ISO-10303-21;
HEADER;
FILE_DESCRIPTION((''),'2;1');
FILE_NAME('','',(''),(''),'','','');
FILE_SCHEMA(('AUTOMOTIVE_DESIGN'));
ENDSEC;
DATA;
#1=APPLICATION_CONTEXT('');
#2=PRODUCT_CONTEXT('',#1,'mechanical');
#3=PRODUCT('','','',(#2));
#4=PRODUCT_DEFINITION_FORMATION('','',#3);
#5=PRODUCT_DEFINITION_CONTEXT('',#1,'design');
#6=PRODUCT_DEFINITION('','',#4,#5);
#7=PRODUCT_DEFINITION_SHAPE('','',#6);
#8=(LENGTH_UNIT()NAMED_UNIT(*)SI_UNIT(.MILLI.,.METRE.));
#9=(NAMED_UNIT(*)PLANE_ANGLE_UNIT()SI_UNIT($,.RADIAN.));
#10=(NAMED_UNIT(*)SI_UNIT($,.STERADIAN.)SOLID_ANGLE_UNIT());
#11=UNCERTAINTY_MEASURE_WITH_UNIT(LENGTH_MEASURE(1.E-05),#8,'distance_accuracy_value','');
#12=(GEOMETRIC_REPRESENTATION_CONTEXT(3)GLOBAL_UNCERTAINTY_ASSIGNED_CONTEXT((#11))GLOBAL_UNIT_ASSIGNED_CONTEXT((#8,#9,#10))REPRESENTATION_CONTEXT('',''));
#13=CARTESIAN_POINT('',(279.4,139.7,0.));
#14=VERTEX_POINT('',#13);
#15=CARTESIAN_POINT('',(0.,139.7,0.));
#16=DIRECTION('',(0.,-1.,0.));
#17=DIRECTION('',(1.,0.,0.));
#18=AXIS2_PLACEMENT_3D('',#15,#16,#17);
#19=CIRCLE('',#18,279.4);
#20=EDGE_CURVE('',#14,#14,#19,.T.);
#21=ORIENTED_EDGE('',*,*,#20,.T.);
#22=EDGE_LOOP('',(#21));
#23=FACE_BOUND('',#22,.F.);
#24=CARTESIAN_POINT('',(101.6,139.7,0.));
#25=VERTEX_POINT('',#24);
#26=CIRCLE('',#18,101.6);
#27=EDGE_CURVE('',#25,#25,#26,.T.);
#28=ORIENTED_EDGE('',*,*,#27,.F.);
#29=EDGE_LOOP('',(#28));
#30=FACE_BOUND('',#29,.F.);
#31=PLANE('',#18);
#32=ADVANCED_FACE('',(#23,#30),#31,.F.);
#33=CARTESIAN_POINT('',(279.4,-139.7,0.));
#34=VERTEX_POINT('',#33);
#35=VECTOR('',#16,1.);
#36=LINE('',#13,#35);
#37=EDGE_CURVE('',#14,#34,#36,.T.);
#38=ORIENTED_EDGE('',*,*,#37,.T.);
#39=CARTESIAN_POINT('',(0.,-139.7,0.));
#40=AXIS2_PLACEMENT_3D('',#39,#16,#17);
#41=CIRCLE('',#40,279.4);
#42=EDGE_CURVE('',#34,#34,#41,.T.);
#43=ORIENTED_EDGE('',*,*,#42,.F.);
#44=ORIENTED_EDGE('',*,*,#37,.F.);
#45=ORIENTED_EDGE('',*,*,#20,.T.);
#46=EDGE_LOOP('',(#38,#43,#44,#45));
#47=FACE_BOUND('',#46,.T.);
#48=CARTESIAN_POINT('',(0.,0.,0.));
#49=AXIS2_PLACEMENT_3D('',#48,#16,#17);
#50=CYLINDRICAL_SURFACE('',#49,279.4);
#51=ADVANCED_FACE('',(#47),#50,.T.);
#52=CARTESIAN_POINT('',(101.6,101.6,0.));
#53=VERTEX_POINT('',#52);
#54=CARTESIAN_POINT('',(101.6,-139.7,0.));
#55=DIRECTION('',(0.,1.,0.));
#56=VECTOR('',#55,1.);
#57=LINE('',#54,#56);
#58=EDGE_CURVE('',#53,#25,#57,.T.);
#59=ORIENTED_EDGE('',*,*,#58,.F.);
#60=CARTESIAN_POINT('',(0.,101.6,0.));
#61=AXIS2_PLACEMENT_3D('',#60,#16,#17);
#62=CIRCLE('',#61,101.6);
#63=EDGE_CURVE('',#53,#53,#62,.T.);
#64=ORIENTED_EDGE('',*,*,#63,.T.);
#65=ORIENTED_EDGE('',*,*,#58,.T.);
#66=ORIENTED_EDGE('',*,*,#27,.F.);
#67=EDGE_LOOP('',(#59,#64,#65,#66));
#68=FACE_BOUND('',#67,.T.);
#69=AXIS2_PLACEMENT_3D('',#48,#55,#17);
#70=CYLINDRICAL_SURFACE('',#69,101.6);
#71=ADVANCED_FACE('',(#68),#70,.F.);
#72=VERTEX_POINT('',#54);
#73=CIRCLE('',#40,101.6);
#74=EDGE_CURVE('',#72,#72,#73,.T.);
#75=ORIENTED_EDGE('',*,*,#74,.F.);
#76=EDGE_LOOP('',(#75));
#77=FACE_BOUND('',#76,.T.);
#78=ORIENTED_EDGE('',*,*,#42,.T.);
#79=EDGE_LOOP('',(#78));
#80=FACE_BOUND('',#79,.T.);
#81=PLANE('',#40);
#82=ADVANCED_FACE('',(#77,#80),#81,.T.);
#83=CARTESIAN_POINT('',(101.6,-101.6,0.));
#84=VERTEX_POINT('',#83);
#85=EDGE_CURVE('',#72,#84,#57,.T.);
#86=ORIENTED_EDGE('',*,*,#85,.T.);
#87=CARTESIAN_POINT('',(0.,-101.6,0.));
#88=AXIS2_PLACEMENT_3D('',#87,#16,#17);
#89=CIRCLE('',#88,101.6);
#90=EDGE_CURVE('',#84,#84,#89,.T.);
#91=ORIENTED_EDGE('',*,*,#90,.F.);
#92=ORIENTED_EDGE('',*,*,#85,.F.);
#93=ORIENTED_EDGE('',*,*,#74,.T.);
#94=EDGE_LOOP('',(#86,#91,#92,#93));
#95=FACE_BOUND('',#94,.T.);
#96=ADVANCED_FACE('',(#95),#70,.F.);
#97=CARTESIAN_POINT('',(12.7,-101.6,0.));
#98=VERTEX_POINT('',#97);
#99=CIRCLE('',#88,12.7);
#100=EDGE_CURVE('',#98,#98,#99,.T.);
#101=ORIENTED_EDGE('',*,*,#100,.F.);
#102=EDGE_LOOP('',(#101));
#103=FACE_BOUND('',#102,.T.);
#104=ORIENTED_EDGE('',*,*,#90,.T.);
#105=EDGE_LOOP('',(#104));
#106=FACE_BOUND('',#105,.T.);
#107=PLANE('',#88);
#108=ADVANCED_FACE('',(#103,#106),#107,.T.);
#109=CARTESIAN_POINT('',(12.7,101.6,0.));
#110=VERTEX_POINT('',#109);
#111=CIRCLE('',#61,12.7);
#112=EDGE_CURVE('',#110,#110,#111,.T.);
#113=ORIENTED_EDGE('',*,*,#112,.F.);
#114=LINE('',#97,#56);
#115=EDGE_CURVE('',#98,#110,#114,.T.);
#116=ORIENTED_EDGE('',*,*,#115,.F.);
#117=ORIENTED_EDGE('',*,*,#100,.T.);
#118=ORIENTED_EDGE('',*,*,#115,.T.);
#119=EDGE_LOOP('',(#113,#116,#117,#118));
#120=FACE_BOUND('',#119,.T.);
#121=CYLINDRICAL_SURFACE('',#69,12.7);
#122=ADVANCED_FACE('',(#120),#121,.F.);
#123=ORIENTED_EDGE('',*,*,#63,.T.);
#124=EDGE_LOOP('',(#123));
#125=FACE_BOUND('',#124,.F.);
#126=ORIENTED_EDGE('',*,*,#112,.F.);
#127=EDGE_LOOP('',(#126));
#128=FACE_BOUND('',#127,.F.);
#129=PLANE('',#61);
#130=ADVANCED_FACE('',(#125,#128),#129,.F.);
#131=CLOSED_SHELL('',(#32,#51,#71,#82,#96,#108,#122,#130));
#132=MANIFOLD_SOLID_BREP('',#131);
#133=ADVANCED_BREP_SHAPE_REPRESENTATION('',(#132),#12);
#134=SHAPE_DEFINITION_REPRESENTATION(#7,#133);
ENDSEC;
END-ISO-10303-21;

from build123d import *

# Parameters (mm, degrees)
F0_R     = 279.4
F0_R_2   = 101.6
F2_DEPTH = 139.7
F1_R     = 101.6
F1_R_2   = 12.7
F3_DEPTH = 101.6


with BuildPart() as f2:
    # F0 (on Front) → F2 (new body, symmetric)
    with BuildSketch(Plane.XZ):
        Circle(F0_R)
        Circle(F0_R_2, mode=Mode.SUBTRACT)
    extrude(amount=F2_DEPTH, both=True)

    # F1 (on face) → F3 (join, symmetric)
    with BuildSketch(Plane.XZ):
        Circle(F1_R)
        Circle(F1_R_2, mode=Mode.SUBTRACT)
    extrude(amount=F3_DEPTH, both=True)


solid = f2.part
